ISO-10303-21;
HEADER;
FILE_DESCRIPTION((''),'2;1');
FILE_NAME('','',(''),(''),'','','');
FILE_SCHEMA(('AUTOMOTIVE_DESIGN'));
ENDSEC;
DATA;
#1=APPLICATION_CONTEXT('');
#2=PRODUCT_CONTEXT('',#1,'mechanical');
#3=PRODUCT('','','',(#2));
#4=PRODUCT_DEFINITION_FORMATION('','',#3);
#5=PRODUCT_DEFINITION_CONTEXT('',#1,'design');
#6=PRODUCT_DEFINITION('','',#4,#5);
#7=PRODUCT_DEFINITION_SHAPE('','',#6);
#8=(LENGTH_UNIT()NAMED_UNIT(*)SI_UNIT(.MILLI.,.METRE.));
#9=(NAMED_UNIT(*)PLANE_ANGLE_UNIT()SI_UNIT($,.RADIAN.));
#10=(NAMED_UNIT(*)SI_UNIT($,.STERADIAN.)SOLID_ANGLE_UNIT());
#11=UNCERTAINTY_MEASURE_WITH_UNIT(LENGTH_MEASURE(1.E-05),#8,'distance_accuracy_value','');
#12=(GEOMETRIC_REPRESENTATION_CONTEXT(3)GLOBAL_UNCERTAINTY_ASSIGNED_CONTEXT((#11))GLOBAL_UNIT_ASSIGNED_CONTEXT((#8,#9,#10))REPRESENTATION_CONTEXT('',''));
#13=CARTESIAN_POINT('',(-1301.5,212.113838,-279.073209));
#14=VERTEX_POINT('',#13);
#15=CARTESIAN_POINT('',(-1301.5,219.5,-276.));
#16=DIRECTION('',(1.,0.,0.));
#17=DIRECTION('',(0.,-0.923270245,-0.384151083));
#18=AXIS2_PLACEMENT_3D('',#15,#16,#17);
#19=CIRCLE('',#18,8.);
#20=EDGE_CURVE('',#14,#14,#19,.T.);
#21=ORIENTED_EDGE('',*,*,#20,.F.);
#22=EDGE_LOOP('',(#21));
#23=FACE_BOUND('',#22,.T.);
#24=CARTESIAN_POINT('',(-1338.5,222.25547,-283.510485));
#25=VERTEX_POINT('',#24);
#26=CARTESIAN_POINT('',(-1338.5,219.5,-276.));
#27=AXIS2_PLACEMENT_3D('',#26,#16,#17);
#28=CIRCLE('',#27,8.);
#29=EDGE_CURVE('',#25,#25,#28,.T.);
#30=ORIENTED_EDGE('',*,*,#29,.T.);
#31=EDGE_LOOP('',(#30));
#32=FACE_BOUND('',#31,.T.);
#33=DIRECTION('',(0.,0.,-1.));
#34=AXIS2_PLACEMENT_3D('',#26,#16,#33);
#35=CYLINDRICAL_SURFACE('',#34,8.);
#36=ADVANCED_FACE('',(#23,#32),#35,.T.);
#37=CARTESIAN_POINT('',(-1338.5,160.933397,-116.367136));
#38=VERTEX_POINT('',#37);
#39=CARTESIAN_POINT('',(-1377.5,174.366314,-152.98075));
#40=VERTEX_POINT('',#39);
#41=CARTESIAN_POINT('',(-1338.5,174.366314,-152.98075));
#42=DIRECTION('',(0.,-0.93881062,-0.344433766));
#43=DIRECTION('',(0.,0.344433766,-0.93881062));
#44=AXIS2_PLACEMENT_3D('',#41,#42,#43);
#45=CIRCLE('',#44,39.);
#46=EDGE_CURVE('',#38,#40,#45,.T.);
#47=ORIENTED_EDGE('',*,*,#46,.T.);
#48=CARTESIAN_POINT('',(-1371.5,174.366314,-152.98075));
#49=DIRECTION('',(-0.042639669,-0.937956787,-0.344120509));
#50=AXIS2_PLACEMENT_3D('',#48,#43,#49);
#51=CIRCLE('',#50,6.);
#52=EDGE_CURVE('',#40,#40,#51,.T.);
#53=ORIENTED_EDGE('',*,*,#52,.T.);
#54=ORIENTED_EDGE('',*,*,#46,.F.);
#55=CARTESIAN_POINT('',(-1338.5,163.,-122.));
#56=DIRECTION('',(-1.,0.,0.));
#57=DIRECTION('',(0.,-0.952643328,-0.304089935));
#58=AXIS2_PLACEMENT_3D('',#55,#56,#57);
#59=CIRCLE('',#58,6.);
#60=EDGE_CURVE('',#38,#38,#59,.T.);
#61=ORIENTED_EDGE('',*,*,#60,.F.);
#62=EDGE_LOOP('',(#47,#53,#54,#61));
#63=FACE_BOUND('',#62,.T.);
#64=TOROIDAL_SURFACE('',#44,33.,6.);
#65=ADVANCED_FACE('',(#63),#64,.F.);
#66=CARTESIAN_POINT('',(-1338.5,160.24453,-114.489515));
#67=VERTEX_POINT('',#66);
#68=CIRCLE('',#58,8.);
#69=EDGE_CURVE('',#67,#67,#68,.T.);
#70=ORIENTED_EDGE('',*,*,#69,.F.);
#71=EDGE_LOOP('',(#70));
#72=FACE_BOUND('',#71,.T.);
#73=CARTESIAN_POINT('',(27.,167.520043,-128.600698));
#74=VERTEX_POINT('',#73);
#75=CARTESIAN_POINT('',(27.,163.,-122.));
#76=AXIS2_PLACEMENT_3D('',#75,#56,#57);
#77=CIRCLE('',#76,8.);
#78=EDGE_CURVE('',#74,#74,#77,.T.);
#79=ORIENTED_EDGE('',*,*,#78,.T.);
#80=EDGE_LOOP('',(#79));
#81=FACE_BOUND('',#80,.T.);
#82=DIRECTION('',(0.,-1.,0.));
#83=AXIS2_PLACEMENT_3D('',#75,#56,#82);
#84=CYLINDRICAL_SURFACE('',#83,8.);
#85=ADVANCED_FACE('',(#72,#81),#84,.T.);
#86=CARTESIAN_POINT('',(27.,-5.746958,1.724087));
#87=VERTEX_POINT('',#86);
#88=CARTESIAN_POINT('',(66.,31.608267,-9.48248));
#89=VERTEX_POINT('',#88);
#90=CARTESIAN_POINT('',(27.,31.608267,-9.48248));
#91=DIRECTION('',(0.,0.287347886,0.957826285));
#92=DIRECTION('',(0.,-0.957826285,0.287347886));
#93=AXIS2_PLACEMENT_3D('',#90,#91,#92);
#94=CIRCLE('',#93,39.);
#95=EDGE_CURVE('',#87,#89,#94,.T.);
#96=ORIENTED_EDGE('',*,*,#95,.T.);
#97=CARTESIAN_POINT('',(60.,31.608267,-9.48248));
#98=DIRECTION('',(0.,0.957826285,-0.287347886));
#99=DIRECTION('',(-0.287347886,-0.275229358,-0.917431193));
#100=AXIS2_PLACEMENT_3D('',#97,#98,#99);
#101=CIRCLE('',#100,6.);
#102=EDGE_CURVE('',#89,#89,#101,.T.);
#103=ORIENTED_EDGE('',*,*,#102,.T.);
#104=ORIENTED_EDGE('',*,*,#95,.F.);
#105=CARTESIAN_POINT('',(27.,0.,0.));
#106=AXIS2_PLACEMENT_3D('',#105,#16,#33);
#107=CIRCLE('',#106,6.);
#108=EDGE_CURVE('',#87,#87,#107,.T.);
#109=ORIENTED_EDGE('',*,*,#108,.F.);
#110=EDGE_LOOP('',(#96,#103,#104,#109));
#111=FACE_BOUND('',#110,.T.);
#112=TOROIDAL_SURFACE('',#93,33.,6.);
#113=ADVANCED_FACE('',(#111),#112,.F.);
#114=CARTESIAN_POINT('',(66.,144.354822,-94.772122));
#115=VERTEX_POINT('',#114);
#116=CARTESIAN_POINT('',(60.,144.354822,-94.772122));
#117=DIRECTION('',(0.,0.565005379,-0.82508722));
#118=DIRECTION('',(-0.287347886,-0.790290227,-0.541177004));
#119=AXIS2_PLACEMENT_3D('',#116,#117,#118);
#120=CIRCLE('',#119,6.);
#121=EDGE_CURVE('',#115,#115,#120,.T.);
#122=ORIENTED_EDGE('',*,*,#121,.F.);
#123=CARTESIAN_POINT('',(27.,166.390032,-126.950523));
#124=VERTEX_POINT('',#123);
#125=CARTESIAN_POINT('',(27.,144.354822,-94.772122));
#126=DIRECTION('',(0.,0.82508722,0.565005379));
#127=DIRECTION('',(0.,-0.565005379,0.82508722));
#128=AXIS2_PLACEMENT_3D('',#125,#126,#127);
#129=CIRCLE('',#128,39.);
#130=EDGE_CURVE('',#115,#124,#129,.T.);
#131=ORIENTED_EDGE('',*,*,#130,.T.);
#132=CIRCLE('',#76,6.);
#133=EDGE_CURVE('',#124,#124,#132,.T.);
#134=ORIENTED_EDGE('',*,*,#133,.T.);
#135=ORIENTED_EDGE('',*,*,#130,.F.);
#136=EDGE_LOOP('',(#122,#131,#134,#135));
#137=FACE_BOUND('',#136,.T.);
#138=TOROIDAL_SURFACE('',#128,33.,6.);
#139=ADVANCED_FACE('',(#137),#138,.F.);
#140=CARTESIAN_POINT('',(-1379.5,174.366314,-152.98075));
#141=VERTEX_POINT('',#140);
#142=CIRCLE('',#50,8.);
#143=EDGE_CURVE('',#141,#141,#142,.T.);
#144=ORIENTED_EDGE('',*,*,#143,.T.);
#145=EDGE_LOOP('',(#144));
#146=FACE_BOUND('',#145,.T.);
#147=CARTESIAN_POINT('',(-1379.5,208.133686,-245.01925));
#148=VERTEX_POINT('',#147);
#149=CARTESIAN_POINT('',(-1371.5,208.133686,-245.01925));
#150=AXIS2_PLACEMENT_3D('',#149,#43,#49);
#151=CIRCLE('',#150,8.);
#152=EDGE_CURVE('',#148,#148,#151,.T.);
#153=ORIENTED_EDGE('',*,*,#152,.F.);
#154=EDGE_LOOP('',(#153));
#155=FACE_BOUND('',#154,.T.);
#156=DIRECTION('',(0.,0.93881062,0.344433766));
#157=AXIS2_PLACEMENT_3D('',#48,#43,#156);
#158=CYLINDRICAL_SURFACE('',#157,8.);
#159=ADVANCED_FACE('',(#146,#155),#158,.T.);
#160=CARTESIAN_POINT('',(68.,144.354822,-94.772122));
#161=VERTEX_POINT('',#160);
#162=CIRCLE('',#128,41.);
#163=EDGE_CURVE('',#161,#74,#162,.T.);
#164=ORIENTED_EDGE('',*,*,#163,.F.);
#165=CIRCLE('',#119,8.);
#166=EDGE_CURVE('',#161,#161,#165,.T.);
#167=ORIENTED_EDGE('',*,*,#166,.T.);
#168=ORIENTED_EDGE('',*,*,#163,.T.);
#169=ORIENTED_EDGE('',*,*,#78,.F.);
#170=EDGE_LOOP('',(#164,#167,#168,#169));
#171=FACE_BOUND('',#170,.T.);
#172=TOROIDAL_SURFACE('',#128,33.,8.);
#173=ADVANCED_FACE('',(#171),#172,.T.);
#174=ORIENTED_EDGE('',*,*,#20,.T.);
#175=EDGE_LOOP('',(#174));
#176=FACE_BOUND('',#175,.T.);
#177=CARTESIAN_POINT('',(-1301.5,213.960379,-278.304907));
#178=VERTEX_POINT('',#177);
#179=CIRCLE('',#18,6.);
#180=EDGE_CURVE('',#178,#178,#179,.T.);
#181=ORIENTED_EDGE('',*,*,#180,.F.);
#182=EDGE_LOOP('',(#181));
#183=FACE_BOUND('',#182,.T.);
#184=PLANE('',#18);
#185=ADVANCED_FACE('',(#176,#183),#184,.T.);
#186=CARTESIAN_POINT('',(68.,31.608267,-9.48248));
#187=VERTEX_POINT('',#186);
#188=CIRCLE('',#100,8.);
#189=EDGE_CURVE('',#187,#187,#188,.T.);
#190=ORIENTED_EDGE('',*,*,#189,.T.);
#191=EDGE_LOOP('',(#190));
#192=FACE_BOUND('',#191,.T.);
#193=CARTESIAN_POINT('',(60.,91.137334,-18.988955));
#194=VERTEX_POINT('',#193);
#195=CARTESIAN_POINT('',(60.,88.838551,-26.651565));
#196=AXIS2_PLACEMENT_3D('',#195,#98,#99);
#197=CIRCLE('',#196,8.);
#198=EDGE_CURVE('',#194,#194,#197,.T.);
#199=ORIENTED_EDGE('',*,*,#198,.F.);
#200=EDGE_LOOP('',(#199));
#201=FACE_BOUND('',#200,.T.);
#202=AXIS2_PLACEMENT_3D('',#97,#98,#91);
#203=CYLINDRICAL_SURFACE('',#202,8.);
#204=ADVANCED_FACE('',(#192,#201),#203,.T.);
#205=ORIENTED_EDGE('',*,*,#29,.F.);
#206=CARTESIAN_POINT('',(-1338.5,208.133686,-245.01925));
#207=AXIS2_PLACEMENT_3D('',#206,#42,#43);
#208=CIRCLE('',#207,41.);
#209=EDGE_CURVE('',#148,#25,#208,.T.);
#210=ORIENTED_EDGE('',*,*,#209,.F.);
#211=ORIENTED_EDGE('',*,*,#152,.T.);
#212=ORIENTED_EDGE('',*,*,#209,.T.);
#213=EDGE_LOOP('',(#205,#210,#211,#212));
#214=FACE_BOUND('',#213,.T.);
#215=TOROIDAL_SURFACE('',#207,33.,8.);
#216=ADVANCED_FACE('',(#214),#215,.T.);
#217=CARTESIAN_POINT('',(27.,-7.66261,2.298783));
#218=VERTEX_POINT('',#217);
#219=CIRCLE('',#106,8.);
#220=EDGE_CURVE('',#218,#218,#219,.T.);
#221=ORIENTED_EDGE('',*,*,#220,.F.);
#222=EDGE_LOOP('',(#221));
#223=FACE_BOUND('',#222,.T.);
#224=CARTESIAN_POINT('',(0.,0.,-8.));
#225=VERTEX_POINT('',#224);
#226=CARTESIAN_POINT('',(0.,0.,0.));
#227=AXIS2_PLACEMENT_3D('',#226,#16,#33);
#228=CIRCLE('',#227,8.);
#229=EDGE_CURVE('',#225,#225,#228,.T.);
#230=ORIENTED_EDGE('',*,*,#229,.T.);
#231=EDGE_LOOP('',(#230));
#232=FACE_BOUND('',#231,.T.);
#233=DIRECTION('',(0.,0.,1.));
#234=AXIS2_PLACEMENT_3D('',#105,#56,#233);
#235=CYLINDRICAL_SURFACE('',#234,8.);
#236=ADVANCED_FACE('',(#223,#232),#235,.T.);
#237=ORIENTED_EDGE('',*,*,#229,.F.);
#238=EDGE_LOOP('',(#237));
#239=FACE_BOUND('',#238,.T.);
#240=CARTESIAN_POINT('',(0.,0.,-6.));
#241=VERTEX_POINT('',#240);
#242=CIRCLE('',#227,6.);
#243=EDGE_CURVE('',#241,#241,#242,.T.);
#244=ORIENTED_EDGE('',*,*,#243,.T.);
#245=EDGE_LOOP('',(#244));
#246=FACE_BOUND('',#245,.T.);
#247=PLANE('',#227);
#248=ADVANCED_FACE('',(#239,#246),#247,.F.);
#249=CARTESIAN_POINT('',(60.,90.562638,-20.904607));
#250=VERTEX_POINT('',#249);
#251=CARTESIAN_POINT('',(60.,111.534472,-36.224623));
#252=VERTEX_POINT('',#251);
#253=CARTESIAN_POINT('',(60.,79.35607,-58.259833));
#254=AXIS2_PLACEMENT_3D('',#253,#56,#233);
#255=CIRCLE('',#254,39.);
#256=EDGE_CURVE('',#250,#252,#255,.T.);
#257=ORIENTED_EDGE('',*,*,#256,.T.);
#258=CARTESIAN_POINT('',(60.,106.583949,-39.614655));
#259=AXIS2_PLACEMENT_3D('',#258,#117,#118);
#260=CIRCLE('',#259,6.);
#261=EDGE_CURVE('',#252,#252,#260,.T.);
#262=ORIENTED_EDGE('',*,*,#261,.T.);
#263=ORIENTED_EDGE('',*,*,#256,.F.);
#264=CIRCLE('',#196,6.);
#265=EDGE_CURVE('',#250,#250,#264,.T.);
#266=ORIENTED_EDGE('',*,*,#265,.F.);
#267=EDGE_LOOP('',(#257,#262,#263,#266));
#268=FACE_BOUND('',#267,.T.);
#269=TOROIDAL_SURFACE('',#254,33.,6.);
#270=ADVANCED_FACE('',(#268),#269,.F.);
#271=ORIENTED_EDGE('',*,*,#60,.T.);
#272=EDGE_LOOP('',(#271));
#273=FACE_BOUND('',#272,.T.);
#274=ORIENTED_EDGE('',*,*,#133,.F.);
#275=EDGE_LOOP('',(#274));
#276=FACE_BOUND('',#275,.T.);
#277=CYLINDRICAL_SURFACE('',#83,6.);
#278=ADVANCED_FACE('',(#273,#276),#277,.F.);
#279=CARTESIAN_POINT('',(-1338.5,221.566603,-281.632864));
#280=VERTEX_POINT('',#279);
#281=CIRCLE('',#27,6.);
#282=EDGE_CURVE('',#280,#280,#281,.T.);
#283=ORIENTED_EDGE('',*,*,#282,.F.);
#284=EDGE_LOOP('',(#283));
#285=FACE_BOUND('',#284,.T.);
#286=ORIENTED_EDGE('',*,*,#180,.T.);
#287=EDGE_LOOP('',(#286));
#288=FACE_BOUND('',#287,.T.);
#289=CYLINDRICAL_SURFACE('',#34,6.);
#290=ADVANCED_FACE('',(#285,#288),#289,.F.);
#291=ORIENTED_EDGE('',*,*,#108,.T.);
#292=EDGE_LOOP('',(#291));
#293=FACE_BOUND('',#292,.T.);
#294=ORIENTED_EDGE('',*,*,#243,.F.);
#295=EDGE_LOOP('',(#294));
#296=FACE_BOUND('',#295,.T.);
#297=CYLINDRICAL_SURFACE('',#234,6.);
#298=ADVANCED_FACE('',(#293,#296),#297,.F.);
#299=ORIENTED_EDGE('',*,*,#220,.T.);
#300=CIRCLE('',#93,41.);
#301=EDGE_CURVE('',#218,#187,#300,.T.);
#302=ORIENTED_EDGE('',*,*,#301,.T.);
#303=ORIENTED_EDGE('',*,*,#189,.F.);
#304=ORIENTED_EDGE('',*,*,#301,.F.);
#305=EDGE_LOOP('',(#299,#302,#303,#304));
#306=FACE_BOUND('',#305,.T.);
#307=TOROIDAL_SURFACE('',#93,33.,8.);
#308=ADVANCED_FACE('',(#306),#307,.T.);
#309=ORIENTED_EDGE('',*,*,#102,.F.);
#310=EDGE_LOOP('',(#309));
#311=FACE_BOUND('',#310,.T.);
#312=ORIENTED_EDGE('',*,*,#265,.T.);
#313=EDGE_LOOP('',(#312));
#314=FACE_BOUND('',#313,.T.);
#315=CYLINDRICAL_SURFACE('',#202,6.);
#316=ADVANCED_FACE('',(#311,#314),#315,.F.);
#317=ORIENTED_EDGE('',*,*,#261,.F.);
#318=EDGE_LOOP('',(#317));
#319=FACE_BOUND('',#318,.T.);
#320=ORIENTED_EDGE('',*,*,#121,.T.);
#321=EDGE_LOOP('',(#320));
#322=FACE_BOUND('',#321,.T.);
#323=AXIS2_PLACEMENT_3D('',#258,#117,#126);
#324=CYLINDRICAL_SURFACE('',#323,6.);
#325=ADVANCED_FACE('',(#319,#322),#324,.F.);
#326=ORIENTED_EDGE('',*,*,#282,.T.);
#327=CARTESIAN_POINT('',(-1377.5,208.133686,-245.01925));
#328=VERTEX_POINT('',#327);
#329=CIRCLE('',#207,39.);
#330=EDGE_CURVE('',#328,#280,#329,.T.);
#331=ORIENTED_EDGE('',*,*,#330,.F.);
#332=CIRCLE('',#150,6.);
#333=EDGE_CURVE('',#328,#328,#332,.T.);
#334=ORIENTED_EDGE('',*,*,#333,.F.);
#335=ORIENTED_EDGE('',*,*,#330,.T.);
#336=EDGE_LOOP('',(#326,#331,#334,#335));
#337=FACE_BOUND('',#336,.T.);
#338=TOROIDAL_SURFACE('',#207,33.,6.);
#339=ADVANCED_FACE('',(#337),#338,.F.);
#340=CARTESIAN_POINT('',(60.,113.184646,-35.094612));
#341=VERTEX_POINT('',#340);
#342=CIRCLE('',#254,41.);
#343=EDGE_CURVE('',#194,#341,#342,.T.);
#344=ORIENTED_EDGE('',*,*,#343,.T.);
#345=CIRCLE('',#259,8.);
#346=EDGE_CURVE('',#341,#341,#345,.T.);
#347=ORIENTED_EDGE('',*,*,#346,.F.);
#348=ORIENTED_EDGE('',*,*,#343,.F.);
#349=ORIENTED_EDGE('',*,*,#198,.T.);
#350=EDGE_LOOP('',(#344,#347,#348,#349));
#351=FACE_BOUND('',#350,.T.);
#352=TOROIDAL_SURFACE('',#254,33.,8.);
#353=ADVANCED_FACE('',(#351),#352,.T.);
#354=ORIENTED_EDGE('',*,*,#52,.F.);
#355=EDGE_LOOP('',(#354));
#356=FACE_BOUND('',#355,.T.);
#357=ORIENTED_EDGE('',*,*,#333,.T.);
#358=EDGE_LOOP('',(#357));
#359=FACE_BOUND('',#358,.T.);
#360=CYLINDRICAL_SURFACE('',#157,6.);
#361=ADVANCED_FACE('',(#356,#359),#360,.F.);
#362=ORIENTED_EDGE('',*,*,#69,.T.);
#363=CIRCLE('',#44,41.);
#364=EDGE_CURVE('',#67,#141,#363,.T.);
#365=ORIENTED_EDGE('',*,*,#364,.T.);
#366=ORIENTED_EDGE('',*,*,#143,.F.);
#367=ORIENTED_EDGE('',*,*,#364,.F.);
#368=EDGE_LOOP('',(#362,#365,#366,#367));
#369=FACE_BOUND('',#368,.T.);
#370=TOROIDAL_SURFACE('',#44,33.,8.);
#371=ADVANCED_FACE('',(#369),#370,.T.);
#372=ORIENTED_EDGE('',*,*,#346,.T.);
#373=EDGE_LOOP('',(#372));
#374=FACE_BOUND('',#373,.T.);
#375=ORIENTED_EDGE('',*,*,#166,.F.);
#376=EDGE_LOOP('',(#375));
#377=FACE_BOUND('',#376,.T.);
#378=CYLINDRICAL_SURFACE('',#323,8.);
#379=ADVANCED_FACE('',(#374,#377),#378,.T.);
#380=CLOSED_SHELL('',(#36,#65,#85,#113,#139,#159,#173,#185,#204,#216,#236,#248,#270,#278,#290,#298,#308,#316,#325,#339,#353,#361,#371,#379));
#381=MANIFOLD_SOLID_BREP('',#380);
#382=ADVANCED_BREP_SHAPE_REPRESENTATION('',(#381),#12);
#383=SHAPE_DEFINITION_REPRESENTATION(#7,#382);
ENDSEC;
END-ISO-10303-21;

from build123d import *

# Parameters (mm, degrees)
SKETCH1_R   = 8
SKETCH1_R_2 = 6


with BuildPart() as part:
    # Sweep1: sweep along a curve in space
    with BuildLine() as sweep1_path:
        Line((0, 0, 0), (27, 0, 0))
        ThreePointArc((27, 0, 0), (50.334523779, 9.257847184, -2.777354155), (60, 31.608267412, -9.482480224))
        Line((60, 31.608267412, -9.482480224), (60, 88.838550515, -26.651565155))
        ThreePointArc((60, 106.583948568, -39.614655052), (60, 98.822015689, -31.612563105), (60, 88.838550515, -26.651565155))
        Line((60, 106.583948568, -39.614655052), (60, 144.354822485, -94.772121724))
        ThreePointArc((27, 163, -122), (50.334523779, 157.538953942, -114.02513909), (60, 144.354822485, -94.772121724))
        Line((27, 163, -122), (-1338.5, 163, -122))
        ThreePointArc((-1338.5, 163, -122), (-1361.834523779, 166.32911638, -131.074051725), (-1371.5, 174.366314294, -152.980750465))
        Line((-1371.5, 174.366314294, -152.980750465), (-1371.5, 208.133685706, -245.019249535))
        ThreePointArc((-1338.5, 219.5, -276), (-1361.834523779, 216.17088362, -266.925948275), (-1371.5, 208.133685706, -245.019249535))
        Line((-1338.5, 219.5, -276), (-1301.5, 219.5, -276))
    # Sketch1 → Sweep1 (sweep)
    with BuildSketch(Plane(origin=(0, 0, 0), x_dir=(0, 0, -1), z_dir=(1, 0, 0))):
        Circle(SKETCH1_R)
        Circle(SKETCH1_R_2, mode=Mode.SUBTRACT)
    sweep(path=sweep1_path.line)


solid = part.part
